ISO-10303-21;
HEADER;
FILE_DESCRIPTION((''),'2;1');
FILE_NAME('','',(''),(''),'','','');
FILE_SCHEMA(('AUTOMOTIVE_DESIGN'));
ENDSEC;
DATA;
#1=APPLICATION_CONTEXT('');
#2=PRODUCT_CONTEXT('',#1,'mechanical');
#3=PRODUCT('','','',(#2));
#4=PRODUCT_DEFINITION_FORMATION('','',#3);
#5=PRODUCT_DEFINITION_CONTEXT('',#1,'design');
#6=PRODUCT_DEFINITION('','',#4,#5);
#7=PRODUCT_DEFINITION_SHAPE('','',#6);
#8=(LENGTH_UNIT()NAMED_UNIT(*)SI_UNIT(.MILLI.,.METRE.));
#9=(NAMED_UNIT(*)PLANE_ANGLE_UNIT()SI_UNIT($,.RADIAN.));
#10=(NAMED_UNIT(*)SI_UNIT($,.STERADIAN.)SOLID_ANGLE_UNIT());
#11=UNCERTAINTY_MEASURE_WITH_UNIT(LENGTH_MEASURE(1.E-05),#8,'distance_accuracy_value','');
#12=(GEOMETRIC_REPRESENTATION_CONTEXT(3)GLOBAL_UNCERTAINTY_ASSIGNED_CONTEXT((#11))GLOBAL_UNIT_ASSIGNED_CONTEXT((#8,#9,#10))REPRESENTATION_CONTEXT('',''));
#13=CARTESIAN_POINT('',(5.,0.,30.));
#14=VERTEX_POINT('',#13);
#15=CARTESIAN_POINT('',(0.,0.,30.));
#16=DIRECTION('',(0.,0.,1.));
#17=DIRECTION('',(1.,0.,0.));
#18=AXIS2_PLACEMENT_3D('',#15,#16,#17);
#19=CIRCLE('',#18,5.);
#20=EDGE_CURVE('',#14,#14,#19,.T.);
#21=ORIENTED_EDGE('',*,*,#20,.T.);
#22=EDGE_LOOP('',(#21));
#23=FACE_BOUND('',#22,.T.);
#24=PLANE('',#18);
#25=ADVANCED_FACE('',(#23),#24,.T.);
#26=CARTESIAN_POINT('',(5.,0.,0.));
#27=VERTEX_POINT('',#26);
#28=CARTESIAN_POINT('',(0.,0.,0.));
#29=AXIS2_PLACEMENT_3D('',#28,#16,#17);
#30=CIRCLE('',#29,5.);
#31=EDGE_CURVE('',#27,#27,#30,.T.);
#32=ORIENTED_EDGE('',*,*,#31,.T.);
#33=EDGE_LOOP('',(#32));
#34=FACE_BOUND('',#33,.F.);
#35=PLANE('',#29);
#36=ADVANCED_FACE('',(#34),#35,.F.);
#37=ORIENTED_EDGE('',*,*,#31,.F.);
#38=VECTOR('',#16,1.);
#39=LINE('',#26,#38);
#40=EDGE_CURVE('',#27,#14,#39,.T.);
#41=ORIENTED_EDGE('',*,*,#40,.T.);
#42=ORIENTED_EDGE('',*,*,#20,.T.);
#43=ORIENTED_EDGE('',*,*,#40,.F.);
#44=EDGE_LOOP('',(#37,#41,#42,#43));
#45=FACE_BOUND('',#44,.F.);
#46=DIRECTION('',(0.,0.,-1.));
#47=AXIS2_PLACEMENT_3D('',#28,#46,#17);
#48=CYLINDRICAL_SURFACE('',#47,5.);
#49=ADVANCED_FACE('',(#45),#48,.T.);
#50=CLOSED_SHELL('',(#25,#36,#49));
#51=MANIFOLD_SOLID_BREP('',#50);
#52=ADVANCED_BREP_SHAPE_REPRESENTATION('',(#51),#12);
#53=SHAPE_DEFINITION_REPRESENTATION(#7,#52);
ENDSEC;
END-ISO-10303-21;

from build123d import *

# Parameters (mm, degrees)
SKETCH_R  = 5
PAD_DEPTH = 30


with BuildPart() as part:
    # Sketch → Pad (new body)
    with BuildSketch(Plane.XY):
        Circle(SKETCH_R)
    extrude(amount=PAD_DEPTH)


solid = part.part
